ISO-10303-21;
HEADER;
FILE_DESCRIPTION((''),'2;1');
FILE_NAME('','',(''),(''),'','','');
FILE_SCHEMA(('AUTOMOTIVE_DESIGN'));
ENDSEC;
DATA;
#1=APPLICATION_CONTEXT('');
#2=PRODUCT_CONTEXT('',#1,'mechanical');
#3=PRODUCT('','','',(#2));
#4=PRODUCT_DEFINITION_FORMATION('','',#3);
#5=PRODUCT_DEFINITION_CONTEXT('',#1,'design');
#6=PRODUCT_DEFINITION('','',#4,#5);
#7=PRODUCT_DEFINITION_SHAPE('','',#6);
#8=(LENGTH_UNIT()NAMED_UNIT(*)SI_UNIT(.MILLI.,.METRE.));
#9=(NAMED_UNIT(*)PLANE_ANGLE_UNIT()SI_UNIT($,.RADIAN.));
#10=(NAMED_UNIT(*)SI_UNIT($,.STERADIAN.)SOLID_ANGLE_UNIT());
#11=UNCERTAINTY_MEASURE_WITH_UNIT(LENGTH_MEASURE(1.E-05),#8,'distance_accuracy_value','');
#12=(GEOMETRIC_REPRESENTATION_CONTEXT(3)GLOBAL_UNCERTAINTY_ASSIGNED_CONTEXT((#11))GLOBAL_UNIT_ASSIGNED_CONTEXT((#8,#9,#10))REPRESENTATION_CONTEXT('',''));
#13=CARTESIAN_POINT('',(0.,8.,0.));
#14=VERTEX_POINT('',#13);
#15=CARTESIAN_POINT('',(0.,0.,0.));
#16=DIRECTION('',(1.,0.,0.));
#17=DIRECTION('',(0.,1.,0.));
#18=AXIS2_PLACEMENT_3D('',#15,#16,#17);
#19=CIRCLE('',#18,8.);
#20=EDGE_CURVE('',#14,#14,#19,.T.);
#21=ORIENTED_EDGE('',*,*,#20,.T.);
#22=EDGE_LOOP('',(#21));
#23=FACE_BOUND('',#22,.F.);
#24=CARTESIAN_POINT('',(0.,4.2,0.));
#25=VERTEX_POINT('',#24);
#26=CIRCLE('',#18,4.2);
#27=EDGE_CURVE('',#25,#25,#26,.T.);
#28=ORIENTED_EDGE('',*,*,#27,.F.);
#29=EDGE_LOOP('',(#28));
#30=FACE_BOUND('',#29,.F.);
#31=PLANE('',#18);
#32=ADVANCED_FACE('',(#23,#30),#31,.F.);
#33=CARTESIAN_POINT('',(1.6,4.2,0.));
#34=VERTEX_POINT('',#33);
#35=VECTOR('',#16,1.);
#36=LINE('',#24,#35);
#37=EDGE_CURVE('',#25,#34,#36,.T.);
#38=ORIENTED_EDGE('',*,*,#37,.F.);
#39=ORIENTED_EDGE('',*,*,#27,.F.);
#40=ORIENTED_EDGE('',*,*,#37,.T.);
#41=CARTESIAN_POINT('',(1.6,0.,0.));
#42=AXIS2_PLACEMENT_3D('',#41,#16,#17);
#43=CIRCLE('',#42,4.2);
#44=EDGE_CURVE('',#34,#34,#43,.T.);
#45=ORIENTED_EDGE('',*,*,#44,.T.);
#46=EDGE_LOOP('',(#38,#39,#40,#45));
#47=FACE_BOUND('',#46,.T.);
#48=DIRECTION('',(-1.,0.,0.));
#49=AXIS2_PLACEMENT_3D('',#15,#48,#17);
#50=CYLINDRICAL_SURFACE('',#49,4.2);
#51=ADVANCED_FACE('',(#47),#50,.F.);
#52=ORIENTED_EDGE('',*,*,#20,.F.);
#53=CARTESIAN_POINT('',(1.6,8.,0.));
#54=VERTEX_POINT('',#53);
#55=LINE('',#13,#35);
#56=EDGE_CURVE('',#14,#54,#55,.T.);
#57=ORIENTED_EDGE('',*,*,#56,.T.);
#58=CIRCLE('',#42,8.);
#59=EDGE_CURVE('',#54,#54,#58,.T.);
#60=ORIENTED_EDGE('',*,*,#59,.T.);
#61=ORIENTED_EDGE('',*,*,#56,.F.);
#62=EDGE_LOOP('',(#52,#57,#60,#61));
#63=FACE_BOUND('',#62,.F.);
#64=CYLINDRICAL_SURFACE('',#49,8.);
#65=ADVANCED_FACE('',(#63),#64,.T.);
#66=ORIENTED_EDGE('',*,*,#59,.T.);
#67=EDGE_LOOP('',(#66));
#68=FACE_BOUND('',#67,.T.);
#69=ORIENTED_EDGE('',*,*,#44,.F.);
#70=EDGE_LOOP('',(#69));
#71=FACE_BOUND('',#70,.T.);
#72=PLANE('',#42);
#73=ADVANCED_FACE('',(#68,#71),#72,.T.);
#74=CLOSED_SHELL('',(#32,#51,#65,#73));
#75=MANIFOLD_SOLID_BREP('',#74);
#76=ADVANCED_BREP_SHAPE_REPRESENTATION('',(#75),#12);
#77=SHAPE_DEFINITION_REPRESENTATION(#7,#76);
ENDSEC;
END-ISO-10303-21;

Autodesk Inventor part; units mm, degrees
ref_plane "YZ Plane" through (0, 0, 0) normal (1, 0, 0) x (0, 1, 0)
ref_plane "XZ Plane" through (0, 0, 0) normal (0, 1, 0) x (-1, 0, 0)
sketch "Sketch" plane through (0, 0, 0) normal (1, 0, 0) x (0, 1, 0)
  circle A0 centre (0, 0) radius 8
  circle A1 centre (0, 0) radius 4.2
  dimension "d0" = 8.4
  dimension "d1" = 16
extrude "Body" add sketch "Sketch" along normal blind 1.6
ref_plane "Work Plane1" through (0, 0, 0) normal (0, 0, 1) x (1, 0, 0)
equation "\"d0\" = SD1"
equation "\"d1\" = SD2"
equation "\"d2\" = SD"
equation "\"SD1\" = 8.4"
equation "\"SD2\" = 16"
equation "\"SD\" = 1.6"
equation "\"NND\" = 8"
properties part number "21.1127" material "Steel, Mild"
